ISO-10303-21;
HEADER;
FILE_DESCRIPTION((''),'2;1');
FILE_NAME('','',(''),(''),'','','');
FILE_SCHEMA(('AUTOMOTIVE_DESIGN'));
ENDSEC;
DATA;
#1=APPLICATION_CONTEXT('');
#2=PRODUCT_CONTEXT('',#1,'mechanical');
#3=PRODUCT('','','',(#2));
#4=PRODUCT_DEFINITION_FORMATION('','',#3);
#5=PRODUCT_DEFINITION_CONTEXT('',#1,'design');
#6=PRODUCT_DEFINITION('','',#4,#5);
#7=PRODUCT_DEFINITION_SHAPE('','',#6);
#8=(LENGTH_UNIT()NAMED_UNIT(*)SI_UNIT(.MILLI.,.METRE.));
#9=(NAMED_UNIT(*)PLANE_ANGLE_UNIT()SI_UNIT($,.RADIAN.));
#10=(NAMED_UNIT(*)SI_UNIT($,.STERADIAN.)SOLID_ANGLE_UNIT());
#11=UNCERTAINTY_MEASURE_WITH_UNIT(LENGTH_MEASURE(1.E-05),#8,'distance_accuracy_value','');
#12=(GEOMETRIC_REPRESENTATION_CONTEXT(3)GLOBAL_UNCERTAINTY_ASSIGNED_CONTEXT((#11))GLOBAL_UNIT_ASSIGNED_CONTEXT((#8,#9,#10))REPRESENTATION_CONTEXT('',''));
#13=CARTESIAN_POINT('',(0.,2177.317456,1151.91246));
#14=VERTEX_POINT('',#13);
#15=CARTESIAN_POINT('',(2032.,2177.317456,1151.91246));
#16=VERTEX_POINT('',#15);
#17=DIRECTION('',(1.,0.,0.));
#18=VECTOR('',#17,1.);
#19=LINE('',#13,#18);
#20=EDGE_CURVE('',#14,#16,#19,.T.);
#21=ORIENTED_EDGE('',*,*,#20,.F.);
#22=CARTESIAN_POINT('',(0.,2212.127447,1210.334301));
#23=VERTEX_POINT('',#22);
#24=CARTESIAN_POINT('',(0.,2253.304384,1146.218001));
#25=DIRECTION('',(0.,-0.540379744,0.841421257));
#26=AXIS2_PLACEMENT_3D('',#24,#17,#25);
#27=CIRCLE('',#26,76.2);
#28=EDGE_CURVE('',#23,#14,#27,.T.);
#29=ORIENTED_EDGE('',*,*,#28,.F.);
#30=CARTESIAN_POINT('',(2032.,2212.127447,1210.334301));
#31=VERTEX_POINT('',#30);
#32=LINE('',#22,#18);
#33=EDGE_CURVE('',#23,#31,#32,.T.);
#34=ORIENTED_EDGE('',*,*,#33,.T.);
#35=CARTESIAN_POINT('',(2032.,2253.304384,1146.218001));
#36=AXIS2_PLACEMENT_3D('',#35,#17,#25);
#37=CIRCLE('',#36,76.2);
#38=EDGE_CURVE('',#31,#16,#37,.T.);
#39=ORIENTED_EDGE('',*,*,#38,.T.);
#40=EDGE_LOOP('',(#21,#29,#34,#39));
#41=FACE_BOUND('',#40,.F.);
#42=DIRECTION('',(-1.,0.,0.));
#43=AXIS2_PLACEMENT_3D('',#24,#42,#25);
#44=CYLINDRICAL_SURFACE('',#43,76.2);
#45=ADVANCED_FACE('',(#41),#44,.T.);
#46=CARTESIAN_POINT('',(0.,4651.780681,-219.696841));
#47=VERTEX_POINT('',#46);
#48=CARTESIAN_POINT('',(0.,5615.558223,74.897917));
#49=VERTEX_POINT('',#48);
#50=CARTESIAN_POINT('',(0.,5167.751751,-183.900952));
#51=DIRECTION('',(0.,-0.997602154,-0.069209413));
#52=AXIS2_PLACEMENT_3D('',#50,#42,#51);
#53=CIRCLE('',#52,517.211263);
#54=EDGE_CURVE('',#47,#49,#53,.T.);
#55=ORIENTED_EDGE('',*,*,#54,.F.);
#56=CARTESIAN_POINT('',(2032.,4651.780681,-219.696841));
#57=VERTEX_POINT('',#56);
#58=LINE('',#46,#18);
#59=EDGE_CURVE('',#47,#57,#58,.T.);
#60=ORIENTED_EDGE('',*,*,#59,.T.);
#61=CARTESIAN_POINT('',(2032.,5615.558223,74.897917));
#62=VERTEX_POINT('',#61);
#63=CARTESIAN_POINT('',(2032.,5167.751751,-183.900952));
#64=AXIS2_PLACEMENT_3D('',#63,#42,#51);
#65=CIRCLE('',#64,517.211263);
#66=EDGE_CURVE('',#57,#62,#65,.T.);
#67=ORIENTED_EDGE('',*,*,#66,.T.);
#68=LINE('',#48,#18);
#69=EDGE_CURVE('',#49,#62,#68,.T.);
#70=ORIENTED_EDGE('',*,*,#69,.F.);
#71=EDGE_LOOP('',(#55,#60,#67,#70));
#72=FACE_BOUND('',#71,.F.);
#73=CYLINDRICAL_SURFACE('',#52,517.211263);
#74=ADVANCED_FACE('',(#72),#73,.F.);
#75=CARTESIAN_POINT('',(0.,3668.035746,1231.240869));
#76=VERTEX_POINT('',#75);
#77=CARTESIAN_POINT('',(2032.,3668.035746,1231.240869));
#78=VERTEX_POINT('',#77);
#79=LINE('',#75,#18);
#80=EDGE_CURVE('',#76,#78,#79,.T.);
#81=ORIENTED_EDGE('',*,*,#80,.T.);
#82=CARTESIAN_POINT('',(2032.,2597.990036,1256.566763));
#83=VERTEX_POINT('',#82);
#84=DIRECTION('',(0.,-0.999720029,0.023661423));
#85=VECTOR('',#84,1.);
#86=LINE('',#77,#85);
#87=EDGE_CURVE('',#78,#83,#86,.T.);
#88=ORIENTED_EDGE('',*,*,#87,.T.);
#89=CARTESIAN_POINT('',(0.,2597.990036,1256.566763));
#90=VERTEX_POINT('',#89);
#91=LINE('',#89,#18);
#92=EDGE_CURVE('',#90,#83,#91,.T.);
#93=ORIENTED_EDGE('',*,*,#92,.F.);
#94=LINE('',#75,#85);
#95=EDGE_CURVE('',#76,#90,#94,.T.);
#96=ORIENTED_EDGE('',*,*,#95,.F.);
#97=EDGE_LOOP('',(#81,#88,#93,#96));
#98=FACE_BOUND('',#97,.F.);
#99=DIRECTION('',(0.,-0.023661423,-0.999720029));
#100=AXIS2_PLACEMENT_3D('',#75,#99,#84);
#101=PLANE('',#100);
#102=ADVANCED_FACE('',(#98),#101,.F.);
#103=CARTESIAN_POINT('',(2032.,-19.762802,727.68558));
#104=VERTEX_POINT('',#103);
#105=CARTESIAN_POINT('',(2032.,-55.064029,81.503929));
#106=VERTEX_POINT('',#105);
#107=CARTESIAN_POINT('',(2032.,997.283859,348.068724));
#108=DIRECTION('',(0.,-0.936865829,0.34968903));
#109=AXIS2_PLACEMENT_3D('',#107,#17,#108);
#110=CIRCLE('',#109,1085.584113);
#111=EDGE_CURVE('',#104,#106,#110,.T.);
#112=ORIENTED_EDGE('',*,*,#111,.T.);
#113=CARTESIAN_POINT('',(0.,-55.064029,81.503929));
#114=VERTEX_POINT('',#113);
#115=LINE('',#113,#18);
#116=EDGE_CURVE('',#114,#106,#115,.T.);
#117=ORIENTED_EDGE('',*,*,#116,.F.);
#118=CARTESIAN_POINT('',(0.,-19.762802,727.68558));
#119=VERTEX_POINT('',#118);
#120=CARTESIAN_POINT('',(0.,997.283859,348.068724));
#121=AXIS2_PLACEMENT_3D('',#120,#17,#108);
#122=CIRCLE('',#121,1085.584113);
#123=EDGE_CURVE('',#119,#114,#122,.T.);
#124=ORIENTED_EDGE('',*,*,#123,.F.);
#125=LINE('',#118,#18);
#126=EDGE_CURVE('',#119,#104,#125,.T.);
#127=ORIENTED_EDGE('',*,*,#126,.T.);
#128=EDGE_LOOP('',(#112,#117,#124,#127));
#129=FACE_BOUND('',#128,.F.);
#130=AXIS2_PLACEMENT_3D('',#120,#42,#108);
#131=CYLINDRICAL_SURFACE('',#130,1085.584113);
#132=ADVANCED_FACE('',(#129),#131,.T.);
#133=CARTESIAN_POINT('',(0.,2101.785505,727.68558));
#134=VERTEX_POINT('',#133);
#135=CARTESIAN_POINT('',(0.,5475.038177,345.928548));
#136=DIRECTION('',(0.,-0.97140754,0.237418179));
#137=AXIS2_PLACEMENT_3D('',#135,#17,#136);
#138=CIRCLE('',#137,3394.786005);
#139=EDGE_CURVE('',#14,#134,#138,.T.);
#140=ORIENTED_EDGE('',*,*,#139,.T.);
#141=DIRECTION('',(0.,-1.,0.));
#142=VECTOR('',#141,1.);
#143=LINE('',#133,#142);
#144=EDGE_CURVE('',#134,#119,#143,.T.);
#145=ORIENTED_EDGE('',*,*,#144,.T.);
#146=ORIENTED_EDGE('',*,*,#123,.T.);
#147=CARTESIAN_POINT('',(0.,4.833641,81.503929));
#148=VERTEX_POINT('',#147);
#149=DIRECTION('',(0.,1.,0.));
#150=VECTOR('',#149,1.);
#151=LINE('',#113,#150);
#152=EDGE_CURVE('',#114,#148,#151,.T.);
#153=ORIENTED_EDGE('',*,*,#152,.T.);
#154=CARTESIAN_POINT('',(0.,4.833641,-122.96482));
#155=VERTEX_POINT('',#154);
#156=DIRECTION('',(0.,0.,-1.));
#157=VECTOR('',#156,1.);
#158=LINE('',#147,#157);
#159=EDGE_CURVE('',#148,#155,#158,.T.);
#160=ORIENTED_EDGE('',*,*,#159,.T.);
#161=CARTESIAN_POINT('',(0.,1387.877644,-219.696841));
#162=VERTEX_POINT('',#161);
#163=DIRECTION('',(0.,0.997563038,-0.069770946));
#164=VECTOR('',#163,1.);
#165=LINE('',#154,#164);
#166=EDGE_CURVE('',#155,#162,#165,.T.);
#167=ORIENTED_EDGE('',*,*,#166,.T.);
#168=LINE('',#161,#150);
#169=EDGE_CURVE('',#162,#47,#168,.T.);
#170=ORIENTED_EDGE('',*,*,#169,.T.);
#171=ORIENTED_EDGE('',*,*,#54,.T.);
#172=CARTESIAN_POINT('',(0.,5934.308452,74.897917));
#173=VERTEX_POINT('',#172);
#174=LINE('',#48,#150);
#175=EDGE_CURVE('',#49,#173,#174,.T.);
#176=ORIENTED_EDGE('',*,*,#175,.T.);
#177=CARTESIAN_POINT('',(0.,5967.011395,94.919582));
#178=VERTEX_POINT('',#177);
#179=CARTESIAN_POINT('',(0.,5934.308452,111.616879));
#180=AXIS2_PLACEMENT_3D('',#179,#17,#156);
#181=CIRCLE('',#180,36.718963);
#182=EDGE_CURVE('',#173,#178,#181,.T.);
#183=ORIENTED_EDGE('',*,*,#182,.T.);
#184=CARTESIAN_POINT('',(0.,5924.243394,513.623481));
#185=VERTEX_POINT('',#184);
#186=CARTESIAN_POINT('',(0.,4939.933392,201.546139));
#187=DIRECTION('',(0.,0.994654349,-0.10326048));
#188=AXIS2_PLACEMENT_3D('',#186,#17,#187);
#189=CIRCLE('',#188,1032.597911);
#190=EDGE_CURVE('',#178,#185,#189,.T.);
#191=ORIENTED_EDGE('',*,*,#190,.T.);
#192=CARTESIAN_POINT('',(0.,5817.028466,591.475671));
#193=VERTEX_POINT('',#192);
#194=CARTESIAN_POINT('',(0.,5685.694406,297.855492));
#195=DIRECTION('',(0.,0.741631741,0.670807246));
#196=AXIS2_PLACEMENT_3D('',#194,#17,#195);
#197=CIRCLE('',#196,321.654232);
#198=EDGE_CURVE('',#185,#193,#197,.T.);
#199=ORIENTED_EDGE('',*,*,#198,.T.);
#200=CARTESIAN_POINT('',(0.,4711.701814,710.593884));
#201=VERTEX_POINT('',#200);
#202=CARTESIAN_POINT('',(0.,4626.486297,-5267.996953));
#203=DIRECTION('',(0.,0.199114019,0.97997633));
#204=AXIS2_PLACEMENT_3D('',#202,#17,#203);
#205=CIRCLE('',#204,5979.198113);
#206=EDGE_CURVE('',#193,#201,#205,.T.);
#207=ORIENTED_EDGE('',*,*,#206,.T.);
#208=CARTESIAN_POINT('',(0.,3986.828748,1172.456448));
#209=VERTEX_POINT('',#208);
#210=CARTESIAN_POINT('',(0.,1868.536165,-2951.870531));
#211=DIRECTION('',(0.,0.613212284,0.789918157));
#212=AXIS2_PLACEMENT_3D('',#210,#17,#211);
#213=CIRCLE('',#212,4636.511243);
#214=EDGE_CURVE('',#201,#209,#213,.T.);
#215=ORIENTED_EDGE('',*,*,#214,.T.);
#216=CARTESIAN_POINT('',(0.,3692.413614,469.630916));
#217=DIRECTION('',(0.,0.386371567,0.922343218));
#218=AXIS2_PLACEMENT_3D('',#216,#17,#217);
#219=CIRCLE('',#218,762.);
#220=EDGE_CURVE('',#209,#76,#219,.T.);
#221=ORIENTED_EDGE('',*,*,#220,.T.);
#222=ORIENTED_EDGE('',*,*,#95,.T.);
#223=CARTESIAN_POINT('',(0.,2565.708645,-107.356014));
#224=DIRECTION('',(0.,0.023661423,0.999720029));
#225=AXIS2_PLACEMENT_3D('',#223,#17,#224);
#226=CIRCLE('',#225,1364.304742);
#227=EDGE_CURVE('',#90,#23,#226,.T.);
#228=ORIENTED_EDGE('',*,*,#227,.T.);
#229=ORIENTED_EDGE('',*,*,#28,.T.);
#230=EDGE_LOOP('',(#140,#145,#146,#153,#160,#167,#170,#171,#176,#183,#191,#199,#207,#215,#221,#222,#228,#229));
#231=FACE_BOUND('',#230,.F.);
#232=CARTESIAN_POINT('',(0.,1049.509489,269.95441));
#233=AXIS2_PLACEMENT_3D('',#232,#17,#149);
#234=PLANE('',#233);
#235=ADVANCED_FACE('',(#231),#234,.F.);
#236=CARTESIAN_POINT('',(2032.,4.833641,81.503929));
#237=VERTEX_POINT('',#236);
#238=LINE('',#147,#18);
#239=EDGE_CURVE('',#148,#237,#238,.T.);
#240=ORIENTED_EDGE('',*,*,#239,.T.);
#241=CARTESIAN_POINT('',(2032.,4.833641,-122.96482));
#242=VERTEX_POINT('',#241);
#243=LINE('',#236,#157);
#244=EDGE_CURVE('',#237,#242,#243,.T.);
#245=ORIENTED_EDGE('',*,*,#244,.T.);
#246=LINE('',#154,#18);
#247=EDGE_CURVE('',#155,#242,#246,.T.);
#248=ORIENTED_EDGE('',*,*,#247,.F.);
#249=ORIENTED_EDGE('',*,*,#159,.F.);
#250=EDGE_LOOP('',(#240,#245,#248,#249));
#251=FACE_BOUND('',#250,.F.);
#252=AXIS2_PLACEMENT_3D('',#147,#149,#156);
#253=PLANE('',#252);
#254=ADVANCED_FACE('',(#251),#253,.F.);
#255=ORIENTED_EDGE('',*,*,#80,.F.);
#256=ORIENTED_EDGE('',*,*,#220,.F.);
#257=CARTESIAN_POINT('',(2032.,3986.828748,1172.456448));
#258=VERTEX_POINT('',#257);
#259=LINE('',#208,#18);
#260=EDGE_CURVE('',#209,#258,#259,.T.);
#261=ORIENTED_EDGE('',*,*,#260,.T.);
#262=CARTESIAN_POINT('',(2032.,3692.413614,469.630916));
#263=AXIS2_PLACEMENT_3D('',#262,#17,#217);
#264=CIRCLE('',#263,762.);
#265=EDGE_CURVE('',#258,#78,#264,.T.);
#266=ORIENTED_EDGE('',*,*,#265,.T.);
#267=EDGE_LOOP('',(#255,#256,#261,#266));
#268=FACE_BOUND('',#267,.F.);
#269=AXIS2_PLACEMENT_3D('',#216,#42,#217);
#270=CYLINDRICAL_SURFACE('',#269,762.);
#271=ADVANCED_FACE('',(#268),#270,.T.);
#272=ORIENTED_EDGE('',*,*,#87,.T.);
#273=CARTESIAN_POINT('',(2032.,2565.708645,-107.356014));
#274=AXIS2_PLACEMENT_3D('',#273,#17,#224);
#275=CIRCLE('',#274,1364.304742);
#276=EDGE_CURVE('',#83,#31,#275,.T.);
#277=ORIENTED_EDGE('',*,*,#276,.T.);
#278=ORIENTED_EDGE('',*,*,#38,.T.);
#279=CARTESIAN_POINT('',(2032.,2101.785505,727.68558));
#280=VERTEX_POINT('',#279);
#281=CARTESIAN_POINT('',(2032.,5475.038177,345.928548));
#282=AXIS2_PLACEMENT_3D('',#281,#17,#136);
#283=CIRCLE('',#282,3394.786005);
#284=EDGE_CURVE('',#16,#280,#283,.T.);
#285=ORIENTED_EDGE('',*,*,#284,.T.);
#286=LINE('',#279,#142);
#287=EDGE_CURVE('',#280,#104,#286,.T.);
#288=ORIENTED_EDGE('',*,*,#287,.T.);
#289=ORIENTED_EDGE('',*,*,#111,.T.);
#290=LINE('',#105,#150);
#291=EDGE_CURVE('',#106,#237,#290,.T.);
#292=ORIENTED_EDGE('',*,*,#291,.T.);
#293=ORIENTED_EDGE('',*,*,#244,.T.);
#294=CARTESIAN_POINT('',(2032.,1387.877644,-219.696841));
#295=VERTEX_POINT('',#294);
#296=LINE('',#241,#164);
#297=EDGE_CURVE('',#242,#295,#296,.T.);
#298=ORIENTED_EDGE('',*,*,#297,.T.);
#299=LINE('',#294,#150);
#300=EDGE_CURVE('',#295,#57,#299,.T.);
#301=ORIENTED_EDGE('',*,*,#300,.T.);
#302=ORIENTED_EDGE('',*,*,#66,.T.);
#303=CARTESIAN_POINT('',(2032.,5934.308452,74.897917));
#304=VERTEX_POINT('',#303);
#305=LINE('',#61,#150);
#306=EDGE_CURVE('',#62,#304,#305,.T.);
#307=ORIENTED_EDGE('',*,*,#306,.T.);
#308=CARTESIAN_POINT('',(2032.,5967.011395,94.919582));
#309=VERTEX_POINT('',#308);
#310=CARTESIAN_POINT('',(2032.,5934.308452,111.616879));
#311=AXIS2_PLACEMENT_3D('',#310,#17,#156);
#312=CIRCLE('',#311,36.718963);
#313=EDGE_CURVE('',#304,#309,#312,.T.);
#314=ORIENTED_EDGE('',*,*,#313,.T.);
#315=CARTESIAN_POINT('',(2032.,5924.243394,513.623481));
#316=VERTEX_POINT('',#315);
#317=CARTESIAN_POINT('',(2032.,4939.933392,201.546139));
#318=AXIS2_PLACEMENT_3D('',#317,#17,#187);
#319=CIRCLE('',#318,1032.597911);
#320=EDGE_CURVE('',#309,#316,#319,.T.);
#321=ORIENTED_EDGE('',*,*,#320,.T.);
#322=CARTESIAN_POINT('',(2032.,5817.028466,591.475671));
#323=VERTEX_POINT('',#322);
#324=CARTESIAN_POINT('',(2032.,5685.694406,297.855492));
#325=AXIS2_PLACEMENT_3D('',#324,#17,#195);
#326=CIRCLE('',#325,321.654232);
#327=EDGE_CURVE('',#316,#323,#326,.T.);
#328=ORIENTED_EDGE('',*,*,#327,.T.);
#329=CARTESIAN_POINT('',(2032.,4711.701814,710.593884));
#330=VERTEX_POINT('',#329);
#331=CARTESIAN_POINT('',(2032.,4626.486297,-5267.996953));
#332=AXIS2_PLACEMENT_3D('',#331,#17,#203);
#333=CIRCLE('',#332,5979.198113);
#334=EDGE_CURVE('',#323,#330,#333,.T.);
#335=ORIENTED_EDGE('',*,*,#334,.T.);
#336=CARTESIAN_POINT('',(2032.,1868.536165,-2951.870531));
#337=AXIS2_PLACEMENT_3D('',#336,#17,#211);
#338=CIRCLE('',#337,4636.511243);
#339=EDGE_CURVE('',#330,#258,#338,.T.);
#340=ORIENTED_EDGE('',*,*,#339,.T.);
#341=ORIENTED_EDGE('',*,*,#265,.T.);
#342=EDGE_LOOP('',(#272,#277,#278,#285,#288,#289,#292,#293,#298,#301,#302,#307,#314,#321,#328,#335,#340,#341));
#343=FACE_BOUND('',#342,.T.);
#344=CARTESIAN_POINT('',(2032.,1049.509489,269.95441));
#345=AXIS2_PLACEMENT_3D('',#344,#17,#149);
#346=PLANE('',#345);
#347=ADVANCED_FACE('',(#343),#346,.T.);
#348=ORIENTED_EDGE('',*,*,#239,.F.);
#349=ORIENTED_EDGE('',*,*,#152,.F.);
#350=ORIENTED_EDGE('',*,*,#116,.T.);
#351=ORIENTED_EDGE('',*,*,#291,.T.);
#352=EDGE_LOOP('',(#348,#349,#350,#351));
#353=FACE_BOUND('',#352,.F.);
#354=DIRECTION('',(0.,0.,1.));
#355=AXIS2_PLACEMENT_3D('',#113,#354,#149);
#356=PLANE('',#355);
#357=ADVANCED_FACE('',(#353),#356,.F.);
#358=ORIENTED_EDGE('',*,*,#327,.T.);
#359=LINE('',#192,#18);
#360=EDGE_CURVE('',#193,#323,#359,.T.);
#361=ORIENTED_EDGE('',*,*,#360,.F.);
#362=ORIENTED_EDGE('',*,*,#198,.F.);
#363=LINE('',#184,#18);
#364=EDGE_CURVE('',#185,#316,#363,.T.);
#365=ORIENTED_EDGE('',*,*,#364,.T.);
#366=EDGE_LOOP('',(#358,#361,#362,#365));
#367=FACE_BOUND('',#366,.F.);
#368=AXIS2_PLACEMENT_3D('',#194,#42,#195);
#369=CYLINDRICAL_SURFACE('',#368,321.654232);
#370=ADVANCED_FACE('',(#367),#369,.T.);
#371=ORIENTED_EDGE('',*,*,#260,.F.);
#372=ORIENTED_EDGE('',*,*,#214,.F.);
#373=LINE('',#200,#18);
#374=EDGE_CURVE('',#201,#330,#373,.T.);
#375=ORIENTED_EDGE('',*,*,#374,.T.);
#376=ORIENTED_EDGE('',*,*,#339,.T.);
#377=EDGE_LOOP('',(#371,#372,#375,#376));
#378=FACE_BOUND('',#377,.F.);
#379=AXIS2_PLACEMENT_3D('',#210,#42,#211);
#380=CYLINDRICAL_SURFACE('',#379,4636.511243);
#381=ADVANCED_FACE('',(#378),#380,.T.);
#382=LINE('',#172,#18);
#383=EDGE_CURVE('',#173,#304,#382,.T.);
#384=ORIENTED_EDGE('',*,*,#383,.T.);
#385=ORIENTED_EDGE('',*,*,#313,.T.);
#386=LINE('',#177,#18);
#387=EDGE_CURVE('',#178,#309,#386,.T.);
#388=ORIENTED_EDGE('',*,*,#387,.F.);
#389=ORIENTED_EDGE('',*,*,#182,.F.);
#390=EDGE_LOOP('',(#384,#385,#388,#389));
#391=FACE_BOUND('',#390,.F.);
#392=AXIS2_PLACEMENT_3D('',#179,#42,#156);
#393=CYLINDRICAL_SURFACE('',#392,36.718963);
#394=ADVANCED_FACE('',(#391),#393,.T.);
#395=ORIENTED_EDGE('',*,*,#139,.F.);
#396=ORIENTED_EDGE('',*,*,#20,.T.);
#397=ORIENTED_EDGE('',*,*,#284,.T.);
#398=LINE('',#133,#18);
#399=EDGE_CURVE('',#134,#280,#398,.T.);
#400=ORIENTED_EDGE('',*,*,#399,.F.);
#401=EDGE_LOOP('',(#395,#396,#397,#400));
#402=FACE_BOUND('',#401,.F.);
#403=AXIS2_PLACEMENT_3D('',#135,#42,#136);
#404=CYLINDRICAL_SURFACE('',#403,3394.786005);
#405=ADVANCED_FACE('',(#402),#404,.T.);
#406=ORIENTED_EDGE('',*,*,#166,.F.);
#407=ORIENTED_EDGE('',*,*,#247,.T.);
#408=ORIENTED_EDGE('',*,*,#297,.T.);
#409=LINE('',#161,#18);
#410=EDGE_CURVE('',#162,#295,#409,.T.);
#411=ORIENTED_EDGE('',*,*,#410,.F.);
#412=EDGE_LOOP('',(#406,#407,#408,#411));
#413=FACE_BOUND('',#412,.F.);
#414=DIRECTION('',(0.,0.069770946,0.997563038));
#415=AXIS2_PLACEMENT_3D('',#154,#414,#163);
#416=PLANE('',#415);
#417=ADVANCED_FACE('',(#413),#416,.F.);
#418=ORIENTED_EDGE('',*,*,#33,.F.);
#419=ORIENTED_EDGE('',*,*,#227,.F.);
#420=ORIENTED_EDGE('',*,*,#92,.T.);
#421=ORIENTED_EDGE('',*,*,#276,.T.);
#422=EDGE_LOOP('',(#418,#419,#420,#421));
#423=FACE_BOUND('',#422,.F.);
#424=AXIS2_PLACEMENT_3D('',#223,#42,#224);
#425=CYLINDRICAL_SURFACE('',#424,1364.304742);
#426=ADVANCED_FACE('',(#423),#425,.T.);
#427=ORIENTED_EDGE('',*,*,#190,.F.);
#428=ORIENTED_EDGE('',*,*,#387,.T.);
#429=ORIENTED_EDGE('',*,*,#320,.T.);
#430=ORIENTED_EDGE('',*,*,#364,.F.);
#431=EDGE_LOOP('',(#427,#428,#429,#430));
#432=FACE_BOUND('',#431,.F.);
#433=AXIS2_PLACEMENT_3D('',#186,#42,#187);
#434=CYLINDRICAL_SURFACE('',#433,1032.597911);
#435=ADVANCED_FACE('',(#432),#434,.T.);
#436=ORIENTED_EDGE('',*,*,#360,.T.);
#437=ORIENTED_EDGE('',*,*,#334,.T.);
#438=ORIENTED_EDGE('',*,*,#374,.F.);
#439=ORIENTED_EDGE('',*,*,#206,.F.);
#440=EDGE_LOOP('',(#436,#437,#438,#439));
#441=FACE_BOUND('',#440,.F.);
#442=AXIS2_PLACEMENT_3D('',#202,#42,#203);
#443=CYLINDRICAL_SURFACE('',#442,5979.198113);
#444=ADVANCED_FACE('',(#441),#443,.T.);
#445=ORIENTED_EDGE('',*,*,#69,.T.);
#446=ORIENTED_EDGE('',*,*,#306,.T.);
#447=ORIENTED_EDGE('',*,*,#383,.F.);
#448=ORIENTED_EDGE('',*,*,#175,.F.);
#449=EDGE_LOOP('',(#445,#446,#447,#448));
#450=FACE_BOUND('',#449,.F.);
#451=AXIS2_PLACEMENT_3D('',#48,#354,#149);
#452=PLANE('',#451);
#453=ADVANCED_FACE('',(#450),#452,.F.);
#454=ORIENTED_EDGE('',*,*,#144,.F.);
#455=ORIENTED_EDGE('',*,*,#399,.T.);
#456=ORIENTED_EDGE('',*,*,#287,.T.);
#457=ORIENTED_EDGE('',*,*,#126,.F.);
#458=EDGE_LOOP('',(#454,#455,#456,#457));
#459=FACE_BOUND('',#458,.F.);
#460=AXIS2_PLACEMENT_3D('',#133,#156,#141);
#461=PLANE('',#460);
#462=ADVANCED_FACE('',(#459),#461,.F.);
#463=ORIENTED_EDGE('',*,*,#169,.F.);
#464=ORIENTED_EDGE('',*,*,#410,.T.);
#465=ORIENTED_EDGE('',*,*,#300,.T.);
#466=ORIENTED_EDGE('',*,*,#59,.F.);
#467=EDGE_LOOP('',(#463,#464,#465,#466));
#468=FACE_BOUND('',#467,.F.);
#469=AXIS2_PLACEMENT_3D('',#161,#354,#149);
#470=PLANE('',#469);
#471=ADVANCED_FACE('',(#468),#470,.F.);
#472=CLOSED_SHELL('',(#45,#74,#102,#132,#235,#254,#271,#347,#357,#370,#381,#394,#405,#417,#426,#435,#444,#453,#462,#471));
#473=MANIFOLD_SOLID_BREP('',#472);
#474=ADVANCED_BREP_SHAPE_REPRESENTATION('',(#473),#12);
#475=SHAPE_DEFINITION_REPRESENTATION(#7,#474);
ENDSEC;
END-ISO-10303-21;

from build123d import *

# Parameters (mm, degrees)
F2_DEPTH = 2032


with BuildPart() as f2:
    # F1 (on Right) → F2 (new body)
    with BuildSketch(Plane.YZ):
        with BuildLine():
            Line((2101.785505274, 727.6855798425), (-19.7628020611, 727.6855798425))
            ThreePointArc((-19.7628020611, 727.6855798425), (-86.683913356, 407.2864265747), (-55.0640291836, 81.5039293828))
            Line((-55.0640291836, 81.5039293828), (4.8336413387, 81.5039293828))
            Line((4.8336413387, 81.5039293828), (4.8336413387, -122.9648201392))
            Line((4.8336413387, -122.9648201392), (1387.8776439164, -219.6968405173))
            Line((1387.8776439164, -219.6968405173), (2127.7049191926, -219.6968405173))
            ThreePointArc((2127.7049191926, -219.6968405173), (2081.5219811254, 253.0854160445), (2101.785505274, 727.6855798426))
        make_face()
        with BuildLine():
            ThreePointArc((2177.317456219, 1151.9124599161), (2132.8138260133, 940.9986331775), (2101.785505274, 727.6855798426))
            Line((2101.785505274, 727.6855798425), (2121.7959680293, 727.6855798425))
            ThreePointArc((2121.7959680293, 727.6855798425), (2094.9083803327, 253.8082407133), (2127.7049191926, -219.6968405173))
            Line((2127.7049191926, -219.6968405173), (4651.78068063, -219.6968405173))
            ThreePointArc((4651.78068063, -219.6968405173), (5016.5627272177, 310.719477874), (5615.5582227442, 74.8979168))
            Line((5615.5582227442, 74.8979168), (5934.3084523646, 74.8979168))
            ThreePointArc((5934.3084523646, 74.8979168), (5953.4810211659, 80.300832077), (5967.0113954416, 94.9195823619))
            ThreePointArc((5967.0113954416, 94.9195823619), (5967.1863626582, 306.4736463751), (5924.2433938852, 513.6234811494))
            ThreePointArc((5924.2433938852, 513.6234811494), (5874.6880783094, 558.1300327479), (5817.0284662119, 591.4756706902))
            ThreePointArc((5817.0284662119, 591.4756706902), (5267.1396396799, 676.7800301244), (4711.701813685, 710.5938843438))
            ThreePointArc((4711.701813685, 710.5938843438), (4359.9908008622, 958.3584005149), (3986.8287477365, 1172.4564484307))
            ThreePointArc((3986.8287477365, 1172.4564484307), (3830.5944128843, 1218.9973597292), (3668.0357456207, 1231.2408685684))
            Line((3668.0357456207, 1231.2408685684), (2597.9900360107, 1256.5667629242))
            ThreePointArc((2597.9900360107, 1256.5667629242), (2403.4041422687, 1247.2600489767), (2212.1274471283, 1210.3343009949))
            ThreePointArc((2212.1274471283, 1210.3343009949), (2187.8435508346, 1185.2220954437), (2177.317456219, 1151.9124599161))
        make_face()
        with BuildLine():
            Line((2121.7959680293, 727.6855798425), (2101.785505274, 727.6855798425))
            ThreePointArc((2101.785505274, 727.6855798426), (2081.5219811254, 253.0854160445), (2127.7049191926, -219.6968405173))
            ThreePointArc((2127.7049191926, -219.6968405173), (2094.9083803327, 253.8082407133), (2121.7959680293, 727.6855798425))
        make_face()
    extrude(amount=F2_DEPTH)


solid = f2.part
